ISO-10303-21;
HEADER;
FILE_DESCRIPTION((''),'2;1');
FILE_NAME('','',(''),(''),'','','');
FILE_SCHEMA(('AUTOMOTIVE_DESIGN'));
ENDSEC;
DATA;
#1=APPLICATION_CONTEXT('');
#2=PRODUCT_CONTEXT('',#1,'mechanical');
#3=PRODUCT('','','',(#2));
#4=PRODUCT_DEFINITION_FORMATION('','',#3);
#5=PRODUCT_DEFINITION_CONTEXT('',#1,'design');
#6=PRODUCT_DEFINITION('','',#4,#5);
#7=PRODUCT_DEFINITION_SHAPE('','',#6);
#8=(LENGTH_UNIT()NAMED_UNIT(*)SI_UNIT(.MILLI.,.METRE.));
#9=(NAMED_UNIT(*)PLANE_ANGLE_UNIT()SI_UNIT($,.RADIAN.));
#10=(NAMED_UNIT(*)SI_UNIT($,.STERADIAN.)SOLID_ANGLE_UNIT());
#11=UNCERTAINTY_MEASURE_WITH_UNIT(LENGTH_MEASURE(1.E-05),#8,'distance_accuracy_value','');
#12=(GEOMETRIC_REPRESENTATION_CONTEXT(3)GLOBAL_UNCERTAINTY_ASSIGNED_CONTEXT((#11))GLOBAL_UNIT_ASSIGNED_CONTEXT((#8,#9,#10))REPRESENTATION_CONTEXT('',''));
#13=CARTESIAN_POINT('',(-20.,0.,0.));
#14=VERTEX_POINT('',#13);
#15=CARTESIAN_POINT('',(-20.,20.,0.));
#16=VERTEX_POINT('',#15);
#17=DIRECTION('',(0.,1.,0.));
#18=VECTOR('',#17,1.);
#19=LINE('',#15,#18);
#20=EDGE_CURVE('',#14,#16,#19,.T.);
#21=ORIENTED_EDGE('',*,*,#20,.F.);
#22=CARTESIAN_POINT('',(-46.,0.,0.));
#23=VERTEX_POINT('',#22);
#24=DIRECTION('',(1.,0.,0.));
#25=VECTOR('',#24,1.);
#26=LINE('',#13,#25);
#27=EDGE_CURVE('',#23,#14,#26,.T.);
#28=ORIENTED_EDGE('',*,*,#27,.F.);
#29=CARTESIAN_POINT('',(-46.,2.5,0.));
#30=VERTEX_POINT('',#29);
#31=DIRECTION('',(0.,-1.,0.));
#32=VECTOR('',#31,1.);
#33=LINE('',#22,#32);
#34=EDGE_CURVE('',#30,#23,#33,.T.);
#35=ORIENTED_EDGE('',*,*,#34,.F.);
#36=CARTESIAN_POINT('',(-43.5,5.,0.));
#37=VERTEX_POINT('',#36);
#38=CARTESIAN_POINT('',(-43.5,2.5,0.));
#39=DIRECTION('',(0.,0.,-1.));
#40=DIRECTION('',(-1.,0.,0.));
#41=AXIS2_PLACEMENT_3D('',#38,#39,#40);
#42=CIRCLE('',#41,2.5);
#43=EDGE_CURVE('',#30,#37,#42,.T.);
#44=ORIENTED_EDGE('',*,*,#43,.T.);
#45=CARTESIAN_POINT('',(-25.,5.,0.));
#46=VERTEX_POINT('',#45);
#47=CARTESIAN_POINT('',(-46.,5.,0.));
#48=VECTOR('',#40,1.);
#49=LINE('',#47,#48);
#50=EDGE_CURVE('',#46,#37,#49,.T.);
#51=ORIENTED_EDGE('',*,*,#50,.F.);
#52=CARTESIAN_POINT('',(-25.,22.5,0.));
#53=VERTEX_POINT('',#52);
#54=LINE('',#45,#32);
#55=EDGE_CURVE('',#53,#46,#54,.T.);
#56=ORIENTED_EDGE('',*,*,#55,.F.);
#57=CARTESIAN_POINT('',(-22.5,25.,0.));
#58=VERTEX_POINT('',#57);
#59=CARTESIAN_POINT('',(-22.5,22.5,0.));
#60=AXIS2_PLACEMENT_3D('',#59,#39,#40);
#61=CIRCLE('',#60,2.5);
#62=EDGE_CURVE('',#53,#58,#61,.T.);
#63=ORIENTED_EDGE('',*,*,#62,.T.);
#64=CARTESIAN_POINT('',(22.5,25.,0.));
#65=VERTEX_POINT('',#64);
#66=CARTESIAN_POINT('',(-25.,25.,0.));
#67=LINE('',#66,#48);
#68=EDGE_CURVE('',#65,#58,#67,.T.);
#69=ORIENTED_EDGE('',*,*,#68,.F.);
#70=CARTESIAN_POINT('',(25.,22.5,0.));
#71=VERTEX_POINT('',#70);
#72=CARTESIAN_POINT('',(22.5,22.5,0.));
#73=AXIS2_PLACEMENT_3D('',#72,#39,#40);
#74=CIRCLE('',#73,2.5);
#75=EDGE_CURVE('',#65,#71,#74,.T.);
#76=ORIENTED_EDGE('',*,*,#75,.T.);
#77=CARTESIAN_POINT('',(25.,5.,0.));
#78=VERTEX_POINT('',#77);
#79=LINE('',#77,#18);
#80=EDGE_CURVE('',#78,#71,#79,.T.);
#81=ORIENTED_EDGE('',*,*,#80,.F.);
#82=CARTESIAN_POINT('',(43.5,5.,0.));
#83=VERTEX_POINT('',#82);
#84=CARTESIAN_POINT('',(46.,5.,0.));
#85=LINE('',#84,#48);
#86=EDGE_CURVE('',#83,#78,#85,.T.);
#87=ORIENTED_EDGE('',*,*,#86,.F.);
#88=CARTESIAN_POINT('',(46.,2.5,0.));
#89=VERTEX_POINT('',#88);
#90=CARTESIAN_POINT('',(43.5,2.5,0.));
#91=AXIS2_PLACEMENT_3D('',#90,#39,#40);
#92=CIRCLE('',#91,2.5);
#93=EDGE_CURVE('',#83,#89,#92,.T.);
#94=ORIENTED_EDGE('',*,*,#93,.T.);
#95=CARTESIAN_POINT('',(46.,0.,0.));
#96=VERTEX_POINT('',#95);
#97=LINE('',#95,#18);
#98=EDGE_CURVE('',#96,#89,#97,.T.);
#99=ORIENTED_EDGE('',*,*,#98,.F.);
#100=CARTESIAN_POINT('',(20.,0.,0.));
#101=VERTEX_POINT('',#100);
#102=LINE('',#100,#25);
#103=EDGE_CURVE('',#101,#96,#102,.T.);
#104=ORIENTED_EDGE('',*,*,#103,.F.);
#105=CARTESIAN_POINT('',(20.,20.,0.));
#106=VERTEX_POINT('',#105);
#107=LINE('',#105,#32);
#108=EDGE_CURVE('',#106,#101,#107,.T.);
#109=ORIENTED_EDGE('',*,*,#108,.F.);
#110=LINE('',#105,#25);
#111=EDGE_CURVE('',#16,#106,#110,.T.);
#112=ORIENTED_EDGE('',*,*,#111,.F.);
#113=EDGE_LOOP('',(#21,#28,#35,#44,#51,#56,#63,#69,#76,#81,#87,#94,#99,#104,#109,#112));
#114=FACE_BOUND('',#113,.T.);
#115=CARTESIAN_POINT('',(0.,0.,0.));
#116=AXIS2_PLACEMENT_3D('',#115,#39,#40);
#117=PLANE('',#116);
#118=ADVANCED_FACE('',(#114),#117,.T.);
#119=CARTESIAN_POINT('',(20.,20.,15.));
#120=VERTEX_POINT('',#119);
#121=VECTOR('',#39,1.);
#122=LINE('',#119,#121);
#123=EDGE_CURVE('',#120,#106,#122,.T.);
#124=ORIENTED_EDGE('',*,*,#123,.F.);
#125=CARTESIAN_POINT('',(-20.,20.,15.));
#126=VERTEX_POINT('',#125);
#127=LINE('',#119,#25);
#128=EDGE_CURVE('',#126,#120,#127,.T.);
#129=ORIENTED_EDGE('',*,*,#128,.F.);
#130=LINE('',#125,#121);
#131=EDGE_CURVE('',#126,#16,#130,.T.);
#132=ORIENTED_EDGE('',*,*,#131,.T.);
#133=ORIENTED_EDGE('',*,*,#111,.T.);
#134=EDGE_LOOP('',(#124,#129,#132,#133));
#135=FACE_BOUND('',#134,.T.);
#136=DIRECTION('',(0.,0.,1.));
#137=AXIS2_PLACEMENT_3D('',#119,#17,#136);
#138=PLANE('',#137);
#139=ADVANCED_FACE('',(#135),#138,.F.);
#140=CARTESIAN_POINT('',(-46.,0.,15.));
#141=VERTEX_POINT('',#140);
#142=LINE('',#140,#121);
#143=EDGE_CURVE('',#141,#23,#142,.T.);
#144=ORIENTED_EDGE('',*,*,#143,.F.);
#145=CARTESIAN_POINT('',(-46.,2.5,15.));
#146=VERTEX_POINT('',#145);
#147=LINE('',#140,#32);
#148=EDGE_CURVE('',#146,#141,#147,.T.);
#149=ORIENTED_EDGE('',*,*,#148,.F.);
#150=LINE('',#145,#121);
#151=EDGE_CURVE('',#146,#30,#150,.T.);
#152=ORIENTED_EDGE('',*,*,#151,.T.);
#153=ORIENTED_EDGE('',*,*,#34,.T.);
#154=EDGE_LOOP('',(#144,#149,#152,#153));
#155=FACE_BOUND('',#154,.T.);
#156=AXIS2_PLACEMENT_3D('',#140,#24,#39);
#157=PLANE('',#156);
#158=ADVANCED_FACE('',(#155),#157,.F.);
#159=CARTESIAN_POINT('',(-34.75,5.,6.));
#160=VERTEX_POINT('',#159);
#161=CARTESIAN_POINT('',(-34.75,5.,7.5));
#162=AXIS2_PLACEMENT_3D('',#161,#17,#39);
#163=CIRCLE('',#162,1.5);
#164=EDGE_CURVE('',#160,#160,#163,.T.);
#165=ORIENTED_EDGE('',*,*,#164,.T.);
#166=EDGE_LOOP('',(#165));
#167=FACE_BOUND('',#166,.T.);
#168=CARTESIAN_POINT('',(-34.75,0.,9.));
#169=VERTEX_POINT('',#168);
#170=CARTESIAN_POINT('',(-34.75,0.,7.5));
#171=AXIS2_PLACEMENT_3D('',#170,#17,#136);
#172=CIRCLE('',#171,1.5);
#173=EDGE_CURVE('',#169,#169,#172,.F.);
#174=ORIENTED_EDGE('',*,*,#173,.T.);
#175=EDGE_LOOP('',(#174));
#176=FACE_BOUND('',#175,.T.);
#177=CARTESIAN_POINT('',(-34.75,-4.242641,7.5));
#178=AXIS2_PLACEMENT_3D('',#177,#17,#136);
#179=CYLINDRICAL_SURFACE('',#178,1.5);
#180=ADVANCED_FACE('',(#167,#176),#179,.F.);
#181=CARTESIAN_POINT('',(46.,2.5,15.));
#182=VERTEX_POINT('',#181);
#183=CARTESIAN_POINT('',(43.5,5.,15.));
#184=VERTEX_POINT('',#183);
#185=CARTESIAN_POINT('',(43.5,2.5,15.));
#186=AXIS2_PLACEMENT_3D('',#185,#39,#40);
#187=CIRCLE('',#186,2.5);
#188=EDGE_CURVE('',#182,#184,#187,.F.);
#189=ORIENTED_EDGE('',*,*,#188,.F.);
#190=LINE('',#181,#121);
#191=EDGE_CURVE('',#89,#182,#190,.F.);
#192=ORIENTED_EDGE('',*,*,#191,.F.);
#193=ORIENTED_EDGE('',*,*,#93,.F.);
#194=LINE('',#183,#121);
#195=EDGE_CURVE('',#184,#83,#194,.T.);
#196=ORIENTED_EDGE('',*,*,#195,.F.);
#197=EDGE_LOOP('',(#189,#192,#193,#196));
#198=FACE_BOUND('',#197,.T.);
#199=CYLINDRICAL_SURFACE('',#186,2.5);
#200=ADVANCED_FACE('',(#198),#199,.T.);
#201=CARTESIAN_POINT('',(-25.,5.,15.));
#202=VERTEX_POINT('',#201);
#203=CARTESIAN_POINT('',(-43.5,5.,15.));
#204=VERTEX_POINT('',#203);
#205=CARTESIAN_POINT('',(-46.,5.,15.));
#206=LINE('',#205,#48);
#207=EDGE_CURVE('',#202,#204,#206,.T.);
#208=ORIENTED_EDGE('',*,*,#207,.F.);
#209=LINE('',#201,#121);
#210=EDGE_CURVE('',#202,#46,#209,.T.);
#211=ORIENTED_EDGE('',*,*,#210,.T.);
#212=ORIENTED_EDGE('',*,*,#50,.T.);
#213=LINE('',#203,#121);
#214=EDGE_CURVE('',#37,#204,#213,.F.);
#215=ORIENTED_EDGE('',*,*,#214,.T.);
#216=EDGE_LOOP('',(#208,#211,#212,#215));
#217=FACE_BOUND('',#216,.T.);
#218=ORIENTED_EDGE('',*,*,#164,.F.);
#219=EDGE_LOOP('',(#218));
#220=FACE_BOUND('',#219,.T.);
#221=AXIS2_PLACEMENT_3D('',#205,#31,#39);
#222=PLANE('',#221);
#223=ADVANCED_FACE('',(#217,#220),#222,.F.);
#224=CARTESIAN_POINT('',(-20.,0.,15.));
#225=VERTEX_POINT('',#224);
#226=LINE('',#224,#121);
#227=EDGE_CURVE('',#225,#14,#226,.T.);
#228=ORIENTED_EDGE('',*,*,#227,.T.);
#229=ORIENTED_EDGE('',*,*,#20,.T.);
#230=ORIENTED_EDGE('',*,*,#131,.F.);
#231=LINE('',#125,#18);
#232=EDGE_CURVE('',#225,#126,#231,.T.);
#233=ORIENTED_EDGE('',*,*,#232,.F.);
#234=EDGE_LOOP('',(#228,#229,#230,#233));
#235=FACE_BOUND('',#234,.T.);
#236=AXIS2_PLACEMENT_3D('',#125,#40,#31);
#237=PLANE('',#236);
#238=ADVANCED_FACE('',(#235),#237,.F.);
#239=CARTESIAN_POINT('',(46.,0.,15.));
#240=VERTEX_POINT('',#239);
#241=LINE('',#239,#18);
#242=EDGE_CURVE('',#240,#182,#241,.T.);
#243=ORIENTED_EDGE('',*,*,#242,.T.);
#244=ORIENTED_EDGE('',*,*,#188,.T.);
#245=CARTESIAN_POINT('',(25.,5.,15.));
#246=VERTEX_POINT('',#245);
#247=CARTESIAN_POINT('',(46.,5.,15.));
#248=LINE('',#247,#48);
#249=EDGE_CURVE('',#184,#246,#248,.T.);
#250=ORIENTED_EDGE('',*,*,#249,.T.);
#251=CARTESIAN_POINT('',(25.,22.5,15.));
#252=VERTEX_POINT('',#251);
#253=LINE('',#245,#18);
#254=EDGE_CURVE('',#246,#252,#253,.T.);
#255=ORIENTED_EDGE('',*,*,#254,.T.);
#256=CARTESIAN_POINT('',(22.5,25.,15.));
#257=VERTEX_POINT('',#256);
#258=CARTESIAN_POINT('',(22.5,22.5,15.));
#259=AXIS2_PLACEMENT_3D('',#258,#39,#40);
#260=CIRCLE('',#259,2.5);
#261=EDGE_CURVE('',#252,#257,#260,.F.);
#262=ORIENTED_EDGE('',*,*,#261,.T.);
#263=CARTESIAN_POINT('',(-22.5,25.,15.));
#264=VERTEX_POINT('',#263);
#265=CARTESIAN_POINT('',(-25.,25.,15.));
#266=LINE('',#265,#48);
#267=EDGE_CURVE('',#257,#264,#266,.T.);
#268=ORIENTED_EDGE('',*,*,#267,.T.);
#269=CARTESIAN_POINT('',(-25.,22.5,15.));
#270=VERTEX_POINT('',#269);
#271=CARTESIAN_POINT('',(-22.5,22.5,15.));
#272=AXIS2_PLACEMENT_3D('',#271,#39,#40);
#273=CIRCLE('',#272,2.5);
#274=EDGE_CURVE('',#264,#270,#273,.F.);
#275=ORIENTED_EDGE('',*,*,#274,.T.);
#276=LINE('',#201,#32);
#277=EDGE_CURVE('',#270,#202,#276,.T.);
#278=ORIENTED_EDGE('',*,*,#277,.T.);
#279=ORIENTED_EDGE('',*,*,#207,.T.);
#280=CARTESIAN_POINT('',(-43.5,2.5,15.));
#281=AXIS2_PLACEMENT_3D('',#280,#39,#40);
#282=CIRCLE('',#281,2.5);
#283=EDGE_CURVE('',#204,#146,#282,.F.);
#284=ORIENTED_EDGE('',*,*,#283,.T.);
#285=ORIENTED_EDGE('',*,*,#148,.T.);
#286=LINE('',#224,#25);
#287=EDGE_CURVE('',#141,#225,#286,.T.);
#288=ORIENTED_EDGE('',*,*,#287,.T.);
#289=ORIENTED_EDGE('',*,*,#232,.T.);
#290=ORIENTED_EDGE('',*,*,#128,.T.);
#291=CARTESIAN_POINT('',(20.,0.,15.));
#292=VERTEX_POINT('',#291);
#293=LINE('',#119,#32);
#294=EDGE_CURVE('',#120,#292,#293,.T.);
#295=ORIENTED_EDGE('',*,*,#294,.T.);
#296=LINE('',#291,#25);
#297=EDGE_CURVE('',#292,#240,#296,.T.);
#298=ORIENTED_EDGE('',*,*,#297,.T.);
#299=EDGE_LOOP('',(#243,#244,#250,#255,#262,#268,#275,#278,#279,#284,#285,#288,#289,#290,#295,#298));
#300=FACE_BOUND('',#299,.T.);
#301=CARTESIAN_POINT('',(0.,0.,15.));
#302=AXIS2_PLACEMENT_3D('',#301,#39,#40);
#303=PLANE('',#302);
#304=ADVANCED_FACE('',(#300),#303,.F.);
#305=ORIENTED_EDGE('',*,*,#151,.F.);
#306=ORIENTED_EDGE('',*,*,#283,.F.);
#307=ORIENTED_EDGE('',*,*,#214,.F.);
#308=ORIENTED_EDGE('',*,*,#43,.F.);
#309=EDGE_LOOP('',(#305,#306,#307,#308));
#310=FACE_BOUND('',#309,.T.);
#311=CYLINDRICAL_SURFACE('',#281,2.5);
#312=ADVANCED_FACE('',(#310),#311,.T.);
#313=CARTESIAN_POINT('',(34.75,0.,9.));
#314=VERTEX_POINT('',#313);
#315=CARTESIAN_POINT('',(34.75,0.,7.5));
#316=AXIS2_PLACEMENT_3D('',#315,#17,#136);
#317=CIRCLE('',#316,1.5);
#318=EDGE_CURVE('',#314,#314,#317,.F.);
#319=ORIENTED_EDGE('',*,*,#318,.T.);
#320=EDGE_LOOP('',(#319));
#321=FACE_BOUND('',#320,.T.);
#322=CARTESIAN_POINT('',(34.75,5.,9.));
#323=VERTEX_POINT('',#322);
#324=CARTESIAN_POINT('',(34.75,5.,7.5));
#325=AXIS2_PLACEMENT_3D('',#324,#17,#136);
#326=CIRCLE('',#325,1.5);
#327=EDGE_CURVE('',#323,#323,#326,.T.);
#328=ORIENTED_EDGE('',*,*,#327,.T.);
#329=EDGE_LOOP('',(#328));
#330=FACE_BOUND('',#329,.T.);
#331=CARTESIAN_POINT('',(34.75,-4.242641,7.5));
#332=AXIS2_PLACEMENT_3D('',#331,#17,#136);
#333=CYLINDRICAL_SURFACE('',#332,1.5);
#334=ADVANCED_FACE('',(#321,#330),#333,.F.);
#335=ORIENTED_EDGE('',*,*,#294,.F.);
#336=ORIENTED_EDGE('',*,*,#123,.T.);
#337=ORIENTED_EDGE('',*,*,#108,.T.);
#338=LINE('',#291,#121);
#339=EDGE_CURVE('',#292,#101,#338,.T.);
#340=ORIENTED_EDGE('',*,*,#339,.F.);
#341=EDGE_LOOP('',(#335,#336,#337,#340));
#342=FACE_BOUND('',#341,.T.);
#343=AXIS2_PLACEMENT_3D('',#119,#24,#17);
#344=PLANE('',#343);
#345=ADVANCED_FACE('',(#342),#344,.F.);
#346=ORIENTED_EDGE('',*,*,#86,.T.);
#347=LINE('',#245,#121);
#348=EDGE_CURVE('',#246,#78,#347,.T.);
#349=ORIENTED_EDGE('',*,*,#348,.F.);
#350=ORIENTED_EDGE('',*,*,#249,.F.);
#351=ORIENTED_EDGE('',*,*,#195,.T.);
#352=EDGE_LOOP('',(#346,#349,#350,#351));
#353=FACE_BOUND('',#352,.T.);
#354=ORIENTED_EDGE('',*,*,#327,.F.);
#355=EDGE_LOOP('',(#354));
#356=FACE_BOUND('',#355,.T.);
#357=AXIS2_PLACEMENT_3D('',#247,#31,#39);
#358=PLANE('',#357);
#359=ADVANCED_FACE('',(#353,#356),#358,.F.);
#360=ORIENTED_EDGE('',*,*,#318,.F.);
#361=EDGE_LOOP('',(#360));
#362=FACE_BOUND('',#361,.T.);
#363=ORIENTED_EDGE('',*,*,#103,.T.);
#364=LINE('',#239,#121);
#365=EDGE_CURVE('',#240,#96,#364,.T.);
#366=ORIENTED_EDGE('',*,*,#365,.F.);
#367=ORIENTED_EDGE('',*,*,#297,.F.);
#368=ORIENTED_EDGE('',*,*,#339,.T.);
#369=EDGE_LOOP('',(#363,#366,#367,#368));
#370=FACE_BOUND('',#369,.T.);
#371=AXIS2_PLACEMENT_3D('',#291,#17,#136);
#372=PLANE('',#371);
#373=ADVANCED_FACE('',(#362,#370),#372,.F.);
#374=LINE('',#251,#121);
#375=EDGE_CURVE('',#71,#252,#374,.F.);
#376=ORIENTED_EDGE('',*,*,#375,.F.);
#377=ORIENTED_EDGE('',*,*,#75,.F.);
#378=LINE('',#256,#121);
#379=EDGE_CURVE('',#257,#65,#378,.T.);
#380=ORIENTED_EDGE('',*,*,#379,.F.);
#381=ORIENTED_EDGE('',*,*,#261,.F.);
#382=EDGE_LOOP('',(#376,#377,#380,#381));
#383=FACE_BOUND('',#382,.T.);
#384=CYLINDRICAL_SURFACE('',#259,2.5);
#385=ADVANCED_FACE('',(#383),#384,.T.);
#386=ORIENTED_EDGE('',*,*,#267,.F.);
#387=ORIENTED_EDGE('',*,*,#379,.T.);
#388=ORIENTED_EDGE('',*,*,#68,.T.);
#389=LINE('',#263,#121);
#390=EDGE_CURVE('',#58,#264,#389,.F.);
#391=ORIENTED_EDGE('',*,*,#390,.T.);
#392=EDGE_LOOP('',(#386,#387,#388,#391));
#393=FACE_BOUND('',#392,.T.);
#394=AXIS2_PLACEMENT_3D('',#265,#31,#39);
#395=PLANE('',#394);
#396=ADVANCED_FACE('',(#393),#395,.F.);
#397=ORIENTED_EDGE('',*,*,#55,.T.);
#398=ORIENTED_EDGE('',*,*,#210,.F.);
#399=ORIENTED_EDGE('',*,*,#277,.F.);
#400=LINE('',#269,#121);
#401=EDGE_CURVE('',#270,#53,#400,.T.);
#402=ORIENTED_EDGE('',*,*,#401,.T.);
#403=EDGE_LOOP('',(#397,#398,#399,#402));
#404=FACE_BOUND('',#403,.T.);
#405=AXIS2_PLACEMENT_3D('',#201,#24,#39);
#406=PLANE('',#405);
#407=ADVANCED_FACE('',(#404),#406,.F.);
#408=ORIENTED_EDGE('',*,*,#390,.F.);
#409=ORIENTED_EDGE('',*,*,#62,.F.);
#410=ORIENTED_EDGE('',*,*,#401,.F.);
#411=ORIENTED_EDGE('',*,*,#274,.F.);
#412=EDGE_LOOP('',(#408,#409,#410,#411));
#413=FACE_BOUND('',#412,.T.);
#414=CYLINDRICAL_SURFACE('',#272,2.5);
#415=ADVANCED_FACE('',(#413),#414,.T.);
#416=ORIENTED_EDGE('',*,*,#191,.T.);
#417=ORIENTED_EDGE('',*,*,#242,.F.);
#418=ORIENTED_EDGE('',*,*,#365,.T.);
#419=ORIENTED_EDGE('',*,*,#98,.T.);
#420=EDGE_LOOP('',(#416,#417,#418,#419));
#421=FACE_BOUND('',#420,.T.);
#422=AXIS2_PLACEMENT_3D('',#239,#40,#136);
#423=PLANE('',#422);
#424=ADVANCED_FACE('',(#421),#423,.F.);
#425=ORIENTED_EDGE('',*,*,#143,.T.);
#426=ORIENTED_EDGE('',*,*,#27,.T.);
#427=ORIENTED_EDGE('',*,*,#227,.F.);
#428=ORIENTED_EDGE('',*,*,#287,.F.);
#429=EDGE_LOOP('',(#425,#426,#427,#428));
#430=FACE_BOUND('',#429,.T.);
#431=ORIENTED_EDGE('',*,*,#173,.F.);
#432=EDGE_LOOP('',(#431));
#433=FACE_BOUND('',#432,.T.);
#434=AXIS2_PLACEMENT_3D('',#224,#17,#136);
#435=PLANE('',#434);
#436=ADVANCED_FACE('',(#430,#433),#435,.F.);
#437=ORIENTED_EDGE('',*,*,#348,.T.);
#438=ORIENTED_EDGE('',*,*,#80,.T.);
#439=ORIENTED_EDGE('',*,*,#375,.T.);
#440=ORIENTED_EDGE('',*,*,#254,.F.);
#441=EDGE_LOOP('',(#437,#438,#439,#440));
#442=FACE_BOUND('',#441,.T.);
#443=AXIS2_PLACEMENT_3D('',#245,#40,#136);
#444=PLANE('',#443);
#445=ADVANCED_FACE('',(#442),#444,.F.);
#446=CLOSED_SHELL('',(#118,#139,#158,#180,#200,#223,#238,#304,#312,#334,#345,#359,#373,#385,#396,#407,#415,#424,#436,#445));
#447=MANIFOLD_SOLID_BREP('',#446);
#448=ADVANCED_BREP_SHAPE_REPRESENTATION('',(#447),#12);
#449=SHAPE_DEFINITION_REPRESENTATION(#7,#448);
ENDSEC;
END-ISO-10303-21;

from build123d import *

# Parameters (mm, degrees)
BOSS_EXTRUDE1_DEPTH = 15
FILLET1_R           = 2.5
SKETCH2_R           = 1.5
CUT_EXTRUDE1_DEPTH  = 5


with BuildPart() as part:
    # Sketch1 → Boss-Extrude1 (new body)
    with BuildSketch(Plane.XY):
        Polygon((20, 20), (-20, 20), (-20, 0), (-46, 0), (-46, 5), (-25, 5), (-25, 25), (25, 25), (25, 5), (46, 5), (46, 0), (20, 0), align=None)
    extrude(amount=BOSS_EXTRUDE1_DEPTH)

    # Fillet1
    fillet1_edges = [part.edges().sort_by_distance(p)[0] for p in [
        (-25, 25, 7.5),
        (25, 25, 7.5),
        (46, 5, 7.5),
        (-46, 5, 7.5),
    ]]
    fillet(fillet1_edges, radius=FILLET1_R)

    # Sketch2 → Cut-Extrude1 (cut)
    with BuildSketch(Plane(origin=(0, 5, 0), x_dir=(1, 0, 0), z_dir=(0, 1, 0))):
        with Locations(Location((34.75, -7.5, 0), (0, 0, 270))):
            Circle(SKETCH2_R)
        with Locations(Location((-34.75, -7.5, 0), (0, 0, 270))):
            Circle(SKETCH2_R)
    extrude(amount=-CUT_EXTRUDE1_DEPTH, mode=Mode.SUBTRACT)


solid = part.part
